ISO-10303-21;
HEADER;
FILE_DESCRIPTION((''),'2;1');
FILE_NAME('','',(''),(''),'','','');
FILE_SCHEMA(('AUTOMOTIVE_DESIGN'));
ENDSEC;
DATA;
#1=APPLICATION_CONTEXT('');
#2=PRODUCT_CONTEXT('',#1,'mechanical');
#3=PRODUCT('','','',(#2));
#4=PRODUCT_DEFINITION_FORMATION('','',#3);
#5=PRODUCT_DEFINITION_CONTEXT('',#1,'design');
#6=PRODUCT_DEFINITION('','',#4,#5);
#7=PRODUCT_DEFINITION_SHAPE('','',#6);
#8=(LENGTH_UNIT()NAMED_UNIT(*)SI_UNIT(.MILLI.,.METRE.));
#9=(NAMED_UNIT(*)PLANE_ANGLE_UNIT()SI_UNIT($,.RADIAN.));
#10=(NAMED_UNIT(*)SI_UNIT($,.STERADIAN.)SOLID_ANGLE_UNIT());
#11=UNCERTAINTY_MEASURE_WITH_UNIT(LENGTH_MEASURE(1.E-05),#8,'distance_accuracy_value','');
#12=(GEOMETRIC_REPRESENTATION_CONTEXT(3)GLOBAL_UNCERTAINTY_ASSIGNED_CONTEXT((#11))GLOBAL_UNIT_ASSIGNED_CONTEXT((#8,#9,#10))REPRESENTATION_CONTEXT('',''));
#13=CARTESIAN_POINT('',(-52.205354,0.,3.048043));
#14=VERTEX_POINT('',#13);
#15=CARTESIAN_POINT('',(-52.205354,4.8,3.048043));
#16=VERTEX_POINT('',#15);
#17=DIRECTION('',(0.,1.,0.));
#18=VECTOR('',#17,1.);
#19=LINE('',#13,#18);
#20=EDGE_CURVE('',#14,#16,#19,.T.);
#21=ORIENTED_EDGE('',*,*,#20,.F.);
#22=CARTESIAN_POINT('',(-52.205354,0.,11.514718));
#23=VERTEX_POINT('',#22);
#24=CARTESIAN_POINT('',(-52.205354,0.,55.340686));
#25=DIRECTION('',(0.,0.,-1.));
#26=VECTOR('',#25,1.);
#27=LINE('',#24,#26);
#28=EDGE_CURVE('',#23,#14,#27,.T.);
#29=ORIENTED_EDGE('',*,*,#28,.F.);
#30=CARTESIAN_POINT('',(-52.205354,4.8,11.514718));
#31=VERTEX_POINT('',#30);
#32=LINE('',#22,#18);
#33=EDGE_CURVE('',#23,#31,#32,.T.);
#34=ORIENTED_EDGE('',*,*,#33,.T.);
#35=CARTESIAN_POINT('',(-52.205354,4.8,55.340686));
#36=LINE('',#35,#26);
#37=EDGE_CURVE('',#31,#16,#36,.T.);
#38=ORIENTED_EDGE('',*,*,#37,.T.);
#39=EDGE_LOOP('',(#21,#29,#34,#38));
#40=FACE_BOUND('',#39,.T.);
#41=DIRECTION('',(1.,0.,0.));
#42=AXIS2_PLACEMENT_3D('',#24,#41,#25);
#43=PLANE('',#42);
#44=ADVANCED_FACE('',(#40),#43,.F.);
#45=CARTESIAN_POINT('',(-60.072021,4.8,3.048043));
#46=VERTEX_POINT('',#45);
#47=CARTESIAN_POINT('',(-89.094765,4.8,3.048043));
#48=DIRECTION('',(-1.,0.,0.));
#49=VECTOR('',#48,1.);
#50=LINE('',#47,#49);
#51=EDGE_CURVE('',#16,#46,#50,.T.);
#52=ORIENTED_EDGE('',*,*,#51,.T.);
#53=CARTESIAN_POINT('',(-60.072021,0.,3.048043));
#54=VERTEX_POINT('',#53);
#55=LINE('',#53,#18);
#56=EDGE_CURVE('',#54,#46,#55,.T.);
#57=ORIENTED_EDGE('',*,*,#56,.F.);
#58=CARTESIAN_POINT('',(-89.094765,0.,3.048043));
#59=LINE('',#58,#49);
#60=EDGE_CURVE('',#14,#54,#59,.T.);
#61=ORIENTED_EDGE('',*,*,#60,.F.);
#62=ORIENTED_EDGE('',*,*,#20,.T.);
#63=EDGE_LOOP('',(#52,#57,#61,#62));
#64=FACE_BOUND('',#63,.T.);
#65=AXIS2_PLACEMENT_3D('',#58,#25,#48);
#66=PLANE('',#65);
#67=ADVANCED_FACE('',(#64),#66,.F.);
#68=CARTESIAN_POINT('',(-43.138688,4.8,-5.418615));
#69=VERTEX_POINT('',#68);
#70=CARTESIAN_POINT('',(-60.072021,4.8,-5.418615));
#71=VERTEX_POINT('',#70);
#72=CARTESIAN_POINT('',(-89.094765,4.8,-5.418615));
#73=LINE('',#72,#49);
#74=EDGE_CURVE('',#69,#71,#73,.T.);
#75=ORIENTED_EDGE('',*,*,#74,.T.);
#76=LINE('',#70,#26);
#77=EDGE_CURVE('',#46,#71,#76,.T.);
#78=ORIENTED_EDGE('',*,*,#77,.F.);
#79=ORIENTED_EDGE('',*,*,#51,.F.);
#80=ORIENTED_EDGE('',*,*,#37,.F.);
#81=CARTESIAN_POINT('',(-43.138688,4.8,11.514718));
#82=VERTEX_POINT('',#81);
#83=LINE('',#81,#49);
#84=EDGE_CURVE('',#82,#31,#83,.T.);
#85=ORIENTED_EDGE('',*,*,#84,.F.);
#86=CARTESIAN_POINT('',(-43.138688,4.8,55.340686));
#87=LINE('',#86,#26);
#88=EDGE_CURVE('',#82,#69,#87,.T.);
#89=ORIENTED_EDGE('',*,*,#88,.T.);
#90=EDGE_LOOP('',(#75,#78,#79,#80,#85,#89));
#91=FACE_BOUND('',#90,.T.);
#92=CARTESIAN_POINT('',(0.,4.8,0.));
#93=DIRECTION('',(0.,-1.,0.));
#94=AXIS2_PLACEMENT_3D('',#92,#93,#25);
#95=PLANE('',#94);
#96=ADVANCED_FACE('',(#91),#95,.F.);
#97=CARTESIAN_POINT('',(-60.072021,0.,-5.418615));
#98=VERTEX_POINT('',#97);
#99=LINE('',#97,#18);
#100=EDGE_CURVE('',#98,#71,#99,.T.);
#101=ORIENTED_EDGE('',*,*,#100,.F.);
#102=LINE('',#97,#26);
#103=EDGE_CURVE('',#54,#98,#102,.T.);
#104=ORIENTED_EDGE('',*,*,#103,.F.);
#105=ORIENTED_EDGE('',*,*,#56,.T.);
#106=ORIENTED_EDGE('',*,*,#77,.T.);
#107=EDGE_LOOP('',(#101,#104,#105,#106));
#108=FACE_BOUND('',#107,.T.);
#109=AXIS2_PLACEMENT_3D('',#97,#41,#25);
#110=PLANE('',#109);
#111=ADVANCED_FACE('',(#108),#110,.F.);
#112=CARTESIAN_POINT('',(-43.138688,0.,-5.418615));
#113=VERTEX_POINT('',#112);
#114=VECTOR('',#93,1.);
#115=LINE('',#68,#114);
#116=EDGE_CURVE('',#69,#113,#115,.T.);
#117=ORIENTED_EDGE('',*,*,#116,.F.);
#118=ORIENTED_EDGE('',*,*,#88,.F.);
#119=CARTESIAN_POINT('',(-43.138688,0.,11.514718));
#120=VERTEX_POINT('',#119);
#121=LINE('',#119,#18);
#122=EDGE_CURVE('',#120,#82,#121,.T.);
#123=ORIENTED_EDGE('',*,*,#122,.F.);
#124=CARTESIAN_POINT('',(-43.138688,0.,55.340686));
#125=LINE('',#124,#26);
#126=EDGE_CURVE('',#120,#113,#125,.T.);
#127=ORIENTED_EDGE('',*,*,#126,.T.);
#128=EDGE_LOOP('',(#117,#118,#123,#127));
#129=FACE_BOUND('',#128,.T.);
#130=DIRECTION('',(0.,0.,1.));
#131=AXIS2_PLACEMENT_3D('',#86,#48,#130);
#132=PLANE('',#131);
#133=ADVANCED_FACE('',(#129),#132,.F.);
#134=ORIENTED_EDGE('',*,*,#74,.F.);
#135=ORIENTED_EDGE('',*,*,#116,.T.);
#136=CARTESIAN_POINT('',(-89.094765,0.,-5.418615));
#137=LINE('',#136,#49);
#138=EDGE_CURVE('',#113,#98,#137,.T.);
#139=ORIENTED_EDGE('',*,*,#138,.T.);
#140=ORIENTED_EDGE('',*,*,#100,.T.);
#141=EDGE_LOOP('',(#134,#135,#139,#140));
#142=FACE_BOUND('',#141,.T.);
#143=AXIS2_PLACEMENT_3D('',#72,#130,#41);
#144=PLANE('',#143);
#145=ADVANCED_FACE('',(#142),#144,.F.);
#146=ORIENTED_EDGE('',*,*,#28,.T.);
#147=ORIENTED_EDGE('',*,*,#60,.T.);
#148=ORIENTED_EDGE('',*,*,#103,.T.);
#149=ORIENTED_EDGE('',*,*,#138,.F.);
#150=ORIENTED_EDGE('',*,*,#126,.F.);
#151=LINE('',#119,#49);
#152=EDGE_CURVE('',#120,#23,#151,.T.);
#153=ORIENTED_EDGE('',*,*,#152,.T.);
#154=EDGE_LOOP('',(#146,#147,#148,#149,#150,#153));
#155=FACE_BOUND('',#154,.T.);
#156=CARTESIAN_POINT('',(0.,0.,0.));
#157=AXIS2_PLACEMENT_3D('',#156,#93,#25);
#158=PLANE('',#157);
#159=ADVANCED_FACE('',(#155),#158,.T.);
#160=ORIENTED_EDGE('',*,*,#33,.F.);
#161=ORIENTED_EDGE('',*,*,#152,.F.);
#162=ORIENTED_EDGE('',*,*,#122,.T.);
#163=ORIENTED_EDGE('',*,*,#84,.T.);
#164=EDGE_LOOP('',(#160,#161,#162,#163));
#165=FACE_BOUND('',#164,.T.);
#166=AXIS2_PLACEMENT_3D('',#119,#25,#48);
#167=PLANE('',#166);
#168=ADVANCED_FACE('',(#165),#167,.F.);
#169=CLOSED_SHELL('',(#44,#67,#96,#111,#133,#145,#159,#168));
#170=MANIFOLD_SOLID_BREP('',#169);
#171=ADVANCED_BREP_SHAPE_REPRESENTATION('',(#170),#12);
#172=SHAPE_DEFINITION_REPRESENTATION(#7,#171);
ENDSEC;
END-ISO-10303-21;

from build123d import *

# Parameters (mm, degrees)
SKETCH1_W           = 45.956077194
SKETCH1_H           = 60.759300765
BOSS_EXTRUDE1_DEPTH = 4.800000052
SKETCH2_W           = 36.889410711
SKETCH2_H           = 52.292642565
CUT_EXTRUDE1_DEPTH  = 105.99289819
SKETCH3_W           = 9.066666483
SKETCH3_H           = 43.825967432
CUT_EXTRUDE3_DEPTH  = 105.99289819
SKETCH4_W           = 29.02274386
SKETCH4_H           = 8.4666582
CUT_EXTRUDE4_DEPTH  = 90.963914511


with BuildPart() as part:
    # Sketch1 → Boss-Extrude1 (new body)
    with BuildSketch(Plane(origin=(0, 0, 0), x_dir=(1, 0, 0), z_dir=(0, 1, 0))):
        with Locations((-66.116726553, -24.961035308)):
            Rectangle(SKETCH1_W, SKETCH1_H)
    extrude(amount=BOSS_EXTRUDE1_DEPTH)

    # Sketch2 → Cut-Extrude1 (cut, through all)
    with BuildSketch(Plane(origin=(0, 4.800000052, 0), x_dir=(1, 0, 0), z_dir=(0, 1, 0))):
        with Locations((-70.650059795, -29.194364408)):
            Rectangle(SKETCH2_W, SKETCH2_H)
    extrude(amount=-CUT_EXTRUDE1_DEPTH, mode=Mode.SUBTRACT)

    # Sketch3 → Cut-Extrude3 (cut, through all)
    with BuildSketch(Plane(origin=(0, 4.800000052, 0), x_dir=(1, 0, 0), z_dir=(0, 1, 0))):
        with Locations((-47.672021198, -33.427701974)):
            Rectangle(SKETCH3_W, SKETCH3_H)
    extrude(amount=-CUT_EXTRUDE3_DEPTH, mode=Mode.SUBTRACT)

    # Sketch4 → Cut-Extrude4 (cut, through all)
    with BuildSketch(Plane(origin=(0, 4.800000052, 0), x_dir=(1, 0, 0), z_dir=(0, 1, 0))):
        with Locations((-74.58339322, 1.185285975)):
            Rectangle(SKETCH4_W, SKETCH4_H)
    extrude(amount=-CUT_EXTRUDE4_DEPTH, mode=Mode.SUBTRACT)


solid = part.part
